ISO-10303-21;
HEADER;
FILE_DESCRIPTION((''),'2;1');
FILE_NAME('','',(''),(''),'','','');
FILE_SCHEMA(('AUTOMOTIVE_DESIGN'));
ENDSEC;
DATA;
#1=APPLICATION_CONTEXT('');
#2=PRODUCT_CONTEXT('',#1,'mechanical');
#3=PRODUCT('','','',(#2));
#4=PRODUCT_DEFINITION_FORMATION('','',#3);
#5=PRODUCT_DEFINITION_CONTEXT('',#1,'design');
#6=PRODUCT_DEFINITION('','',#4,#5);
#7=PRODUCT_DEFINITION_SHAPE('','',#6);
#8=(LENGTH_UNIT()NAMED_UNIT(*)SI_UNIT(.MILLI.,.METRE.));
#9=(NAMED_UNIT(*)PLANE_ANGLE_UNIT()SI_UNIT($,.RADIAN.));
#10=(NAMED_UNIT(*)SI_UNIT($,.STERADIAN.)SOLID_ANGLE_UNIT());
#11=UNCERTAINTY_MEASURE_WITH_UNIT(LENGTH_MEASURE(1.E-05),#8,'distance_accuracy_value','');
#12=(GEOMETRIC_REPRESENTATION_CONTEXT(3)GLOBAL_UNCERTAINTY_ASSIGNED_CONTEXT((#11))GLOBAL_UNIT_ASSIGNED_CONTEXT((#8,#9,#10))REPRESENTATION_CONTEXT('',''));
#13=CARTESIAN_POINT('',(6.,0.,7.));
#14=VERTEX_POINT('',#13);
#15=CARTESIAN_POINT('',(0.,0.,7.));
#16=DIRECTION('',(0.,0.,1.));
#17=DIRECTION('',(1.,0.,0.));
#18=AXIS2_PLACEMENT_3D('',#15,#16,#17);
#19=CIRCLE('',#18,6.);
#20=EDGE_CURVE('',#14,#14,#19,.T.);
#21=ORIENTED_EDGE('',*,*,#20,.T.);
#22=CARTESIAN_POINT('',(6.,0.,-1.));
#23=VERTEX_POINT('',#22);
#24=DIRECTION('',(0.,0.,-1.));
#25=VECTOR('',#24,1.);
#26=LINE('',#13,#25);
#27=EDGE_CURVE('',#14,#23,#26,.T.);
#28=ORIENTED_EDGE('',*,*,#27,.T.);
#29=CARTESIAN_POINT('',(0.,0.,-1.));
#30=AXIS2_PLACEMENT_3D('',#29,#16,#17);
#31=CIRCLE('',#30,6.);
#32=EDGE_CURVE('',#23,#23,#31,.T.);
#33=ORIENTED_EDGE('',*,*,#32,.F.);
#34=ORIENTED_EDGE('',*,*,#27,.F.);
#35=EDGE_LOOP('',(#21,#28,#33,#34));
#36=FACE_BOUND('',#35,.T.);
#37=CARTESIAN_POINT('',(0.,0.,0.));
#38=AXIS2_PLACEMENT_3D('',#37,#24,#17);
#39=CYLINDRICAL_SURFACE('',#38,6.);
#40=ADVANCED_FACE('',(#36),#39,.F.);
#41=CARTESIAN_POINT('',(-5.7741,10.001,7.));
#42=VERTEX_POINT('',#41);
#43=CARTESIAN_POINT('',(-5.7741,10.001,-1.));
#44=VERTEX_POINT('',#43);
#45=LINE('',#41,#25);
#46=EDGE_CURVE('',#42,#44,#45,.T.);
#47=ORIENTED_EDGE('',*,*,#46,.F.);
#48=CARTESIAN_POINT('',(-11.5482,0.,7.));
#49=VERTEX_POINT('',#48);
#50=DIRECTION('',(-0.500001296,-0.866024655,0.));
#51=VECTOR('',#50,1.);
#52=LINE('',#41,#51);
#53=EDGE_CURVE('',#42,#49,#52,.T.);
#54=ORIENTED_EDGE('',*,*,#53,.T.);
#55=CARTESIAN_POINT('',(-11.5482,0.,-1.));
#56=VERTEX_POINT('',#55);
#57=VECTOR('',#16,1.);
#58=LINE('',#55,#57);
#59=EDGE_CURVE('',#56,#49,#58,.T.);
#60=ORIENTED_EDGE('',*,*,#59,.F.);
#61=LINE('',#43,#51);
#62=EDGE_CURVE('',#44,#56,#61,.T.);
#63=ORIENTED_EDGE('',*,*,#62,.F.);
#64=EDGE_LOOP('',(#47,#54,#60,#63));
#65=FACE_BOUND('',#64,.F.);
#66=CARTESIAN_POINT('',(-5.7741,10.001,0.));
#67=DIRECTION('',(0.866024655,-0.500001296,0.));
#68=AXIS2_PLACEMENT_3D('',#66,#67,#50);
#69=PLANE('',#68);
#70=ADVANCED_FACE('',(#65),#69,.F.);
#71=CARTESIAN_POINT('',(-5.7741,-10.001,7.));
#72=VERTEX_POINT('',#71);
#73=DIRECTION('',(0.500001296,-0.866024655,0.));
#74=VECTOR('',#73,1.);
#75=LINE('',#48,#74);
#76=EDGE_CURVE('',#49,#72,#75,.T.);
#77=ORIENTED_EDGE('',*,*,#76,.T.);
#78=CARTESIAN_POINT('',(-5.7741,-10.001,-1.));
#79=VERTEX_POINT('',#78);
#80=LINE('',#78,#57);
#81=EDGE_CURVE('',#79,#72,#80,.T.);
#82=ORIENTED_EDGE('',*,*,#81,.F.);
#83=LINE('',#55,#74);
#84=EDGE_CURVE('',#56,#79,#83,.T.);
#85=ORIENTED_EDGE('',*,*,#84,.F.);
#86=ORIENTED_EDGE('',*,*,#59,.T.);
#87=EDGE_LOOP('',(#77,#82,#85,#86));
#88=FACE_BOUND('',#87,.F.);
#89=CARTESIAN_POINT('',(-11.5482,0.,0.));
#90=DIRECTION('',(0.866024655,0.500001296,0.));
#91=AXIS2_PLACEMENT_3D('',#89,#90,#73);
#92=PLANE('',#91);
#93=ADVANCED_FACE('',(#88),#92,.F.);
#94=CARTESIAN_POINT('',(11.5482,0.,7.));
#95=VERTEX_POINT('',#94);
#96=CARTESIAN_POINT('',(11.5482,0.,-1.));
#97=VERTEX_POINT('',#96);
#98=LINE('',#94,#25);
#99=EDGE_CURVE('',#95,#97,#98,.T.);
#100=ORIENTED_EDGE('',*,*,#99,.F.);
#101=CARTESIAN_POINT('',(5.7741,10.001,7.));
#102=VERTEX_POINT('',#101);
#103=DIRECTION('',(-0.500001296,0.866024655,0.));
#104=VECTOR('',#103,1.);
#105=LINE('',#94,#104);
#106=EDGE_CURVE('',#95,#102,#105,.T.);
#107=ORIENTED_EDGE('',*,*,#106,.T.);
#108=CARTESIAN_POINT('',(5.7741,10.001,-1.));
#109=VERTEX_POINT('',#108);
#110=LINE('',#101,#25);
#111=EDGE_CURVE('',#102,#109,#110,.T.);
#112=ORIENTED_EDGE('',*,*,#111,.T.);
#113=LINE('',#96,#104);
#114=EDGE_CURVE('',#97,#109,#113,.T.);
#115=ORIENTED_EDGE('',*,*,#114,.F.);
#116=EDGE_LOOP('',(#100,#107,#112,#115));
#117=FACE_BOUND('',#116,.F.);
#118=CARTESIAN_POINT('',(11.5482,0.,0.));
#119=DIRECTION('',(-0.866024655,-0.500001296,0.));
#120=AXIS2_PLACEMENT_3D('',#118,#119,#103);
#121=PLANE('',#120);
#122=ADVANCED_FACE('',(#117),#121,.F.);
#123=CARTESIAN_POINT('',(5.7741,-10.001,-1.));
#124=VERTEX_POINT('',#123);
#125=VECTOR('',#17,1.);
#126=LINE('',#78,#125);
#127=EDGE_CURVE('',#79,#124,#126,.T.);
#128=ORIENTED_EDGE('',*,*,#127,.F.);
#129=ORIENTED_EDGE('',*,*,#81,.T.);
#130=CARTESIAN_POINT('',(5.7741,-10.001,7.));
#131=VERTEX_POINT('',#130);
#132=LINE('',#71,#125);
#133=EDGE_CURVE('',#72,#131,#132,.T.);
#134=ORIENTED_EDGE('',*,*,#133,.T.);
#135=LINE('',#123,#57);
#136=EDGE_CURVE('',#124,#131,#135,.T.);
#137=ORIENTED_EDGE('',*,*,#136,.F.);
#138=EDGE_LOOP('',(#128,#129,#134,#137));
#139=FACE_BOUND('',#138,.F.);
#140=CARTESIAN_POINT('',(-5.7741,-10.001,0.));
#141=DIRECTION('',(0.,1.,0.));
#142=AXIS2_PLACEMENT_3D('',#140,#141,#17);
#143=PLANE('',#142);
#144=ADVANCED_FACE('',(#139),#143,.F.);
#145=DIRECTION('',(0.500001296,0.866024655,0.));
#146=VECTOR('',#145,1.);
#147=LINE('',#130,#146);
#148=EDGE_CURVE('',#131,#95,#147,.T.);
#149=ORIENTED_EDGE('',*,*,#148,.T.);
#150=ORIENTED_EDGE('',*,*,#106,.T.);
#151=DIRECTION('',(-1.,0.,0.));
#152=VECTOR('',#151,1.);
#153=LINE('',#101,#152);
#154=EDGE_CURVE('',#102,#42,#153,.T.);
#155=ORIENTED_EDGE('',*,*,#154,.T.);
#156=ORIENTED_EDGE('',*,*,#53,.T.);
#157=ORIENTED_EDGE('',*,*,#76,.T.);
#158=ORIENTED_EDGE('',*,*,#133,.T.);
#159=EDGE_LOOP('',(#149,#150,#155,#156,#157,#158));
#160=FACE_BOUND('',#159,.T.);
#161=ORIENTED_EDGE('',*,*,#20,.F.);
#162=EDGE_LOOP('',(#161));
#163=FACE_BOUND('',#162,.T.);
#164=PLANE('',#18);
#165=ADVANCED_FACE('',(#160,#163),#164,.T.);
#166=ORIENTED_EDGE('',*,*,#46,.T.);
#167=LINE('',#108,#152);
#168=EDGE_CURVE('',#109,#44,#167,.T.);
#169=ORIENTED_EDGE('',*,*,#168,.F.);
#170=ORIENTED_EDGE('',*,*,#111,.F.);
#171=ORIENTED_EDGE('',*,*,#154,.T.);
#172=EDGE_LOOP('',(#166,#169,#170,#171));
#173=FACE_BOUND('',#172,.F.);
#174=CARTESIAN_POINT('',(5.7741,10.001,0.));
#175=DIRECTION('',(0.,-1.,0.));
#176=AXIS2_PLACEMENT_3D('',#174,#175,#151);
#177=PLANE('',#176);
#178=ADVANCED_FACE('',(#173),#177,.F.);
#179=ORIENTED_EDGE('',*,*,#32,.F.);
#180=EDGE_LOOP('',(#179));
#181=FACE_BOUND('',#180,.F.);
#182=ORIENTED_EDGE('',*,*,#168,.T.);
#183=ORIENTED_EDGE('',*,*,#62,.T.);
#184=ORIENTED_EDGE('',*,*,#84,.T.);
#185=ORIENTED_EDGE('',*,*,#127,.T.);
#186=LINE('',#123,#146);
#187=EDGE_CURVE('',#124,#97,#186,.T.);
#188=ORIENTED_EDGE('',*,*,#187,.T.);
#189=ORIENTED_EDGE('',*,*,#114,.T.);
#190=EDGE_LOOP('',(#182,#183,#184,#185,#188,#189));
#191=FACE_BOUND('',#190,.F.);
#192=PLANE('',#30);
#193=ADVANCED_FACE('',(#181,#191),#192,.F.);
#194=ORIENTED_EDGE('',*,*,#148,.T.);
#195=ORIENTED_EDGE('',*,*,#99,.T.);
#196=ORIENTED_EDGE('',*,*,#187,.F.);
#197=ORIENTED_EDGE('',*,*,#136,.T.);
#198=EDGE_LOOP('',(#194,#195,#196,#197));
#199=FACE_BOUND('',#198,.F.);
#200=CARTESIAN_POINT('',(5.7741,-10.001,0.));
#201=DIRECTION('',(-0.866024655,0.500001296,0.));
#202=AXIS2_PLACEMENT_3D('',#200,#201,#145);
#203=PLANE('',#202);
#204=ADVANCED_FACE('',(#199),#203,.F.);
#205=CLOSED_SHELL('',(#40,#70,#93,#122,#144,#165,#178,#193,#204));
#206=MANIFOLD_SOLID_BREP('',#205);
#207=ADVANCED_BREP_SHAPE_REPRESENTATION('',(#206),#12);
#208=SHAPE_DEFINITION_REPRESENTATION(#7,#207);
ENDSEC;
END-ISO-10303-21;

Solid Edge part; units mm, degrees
sketch "Sketch1" plane through (0, 0, 0) normal (0, 0, 1) x (1, 0, 0)
  circle A0 centre (0, 0) radius 6
  line L0 (-5.7741, 10.001) -> (-11.5482, 0)
  line L1 (-11.5482, 0) -> (-5.7741, -10.001)
  line L2 (-5.7741, -10.001) -> (5.7741, -10.001)
  line L3 (5.7741, -10.001) -> (11.5482, 0)
  line L4 (11.5482, 0) -> (5.7741, 10.001)
  line L5 (5.7741, 10.001) -> (-5.7741, 10.001)
extrude "ExtrudedProtrusion_1" add sketch "Sketch1" along normal blind 7 and the other way blind 1
properties material "Steel"
